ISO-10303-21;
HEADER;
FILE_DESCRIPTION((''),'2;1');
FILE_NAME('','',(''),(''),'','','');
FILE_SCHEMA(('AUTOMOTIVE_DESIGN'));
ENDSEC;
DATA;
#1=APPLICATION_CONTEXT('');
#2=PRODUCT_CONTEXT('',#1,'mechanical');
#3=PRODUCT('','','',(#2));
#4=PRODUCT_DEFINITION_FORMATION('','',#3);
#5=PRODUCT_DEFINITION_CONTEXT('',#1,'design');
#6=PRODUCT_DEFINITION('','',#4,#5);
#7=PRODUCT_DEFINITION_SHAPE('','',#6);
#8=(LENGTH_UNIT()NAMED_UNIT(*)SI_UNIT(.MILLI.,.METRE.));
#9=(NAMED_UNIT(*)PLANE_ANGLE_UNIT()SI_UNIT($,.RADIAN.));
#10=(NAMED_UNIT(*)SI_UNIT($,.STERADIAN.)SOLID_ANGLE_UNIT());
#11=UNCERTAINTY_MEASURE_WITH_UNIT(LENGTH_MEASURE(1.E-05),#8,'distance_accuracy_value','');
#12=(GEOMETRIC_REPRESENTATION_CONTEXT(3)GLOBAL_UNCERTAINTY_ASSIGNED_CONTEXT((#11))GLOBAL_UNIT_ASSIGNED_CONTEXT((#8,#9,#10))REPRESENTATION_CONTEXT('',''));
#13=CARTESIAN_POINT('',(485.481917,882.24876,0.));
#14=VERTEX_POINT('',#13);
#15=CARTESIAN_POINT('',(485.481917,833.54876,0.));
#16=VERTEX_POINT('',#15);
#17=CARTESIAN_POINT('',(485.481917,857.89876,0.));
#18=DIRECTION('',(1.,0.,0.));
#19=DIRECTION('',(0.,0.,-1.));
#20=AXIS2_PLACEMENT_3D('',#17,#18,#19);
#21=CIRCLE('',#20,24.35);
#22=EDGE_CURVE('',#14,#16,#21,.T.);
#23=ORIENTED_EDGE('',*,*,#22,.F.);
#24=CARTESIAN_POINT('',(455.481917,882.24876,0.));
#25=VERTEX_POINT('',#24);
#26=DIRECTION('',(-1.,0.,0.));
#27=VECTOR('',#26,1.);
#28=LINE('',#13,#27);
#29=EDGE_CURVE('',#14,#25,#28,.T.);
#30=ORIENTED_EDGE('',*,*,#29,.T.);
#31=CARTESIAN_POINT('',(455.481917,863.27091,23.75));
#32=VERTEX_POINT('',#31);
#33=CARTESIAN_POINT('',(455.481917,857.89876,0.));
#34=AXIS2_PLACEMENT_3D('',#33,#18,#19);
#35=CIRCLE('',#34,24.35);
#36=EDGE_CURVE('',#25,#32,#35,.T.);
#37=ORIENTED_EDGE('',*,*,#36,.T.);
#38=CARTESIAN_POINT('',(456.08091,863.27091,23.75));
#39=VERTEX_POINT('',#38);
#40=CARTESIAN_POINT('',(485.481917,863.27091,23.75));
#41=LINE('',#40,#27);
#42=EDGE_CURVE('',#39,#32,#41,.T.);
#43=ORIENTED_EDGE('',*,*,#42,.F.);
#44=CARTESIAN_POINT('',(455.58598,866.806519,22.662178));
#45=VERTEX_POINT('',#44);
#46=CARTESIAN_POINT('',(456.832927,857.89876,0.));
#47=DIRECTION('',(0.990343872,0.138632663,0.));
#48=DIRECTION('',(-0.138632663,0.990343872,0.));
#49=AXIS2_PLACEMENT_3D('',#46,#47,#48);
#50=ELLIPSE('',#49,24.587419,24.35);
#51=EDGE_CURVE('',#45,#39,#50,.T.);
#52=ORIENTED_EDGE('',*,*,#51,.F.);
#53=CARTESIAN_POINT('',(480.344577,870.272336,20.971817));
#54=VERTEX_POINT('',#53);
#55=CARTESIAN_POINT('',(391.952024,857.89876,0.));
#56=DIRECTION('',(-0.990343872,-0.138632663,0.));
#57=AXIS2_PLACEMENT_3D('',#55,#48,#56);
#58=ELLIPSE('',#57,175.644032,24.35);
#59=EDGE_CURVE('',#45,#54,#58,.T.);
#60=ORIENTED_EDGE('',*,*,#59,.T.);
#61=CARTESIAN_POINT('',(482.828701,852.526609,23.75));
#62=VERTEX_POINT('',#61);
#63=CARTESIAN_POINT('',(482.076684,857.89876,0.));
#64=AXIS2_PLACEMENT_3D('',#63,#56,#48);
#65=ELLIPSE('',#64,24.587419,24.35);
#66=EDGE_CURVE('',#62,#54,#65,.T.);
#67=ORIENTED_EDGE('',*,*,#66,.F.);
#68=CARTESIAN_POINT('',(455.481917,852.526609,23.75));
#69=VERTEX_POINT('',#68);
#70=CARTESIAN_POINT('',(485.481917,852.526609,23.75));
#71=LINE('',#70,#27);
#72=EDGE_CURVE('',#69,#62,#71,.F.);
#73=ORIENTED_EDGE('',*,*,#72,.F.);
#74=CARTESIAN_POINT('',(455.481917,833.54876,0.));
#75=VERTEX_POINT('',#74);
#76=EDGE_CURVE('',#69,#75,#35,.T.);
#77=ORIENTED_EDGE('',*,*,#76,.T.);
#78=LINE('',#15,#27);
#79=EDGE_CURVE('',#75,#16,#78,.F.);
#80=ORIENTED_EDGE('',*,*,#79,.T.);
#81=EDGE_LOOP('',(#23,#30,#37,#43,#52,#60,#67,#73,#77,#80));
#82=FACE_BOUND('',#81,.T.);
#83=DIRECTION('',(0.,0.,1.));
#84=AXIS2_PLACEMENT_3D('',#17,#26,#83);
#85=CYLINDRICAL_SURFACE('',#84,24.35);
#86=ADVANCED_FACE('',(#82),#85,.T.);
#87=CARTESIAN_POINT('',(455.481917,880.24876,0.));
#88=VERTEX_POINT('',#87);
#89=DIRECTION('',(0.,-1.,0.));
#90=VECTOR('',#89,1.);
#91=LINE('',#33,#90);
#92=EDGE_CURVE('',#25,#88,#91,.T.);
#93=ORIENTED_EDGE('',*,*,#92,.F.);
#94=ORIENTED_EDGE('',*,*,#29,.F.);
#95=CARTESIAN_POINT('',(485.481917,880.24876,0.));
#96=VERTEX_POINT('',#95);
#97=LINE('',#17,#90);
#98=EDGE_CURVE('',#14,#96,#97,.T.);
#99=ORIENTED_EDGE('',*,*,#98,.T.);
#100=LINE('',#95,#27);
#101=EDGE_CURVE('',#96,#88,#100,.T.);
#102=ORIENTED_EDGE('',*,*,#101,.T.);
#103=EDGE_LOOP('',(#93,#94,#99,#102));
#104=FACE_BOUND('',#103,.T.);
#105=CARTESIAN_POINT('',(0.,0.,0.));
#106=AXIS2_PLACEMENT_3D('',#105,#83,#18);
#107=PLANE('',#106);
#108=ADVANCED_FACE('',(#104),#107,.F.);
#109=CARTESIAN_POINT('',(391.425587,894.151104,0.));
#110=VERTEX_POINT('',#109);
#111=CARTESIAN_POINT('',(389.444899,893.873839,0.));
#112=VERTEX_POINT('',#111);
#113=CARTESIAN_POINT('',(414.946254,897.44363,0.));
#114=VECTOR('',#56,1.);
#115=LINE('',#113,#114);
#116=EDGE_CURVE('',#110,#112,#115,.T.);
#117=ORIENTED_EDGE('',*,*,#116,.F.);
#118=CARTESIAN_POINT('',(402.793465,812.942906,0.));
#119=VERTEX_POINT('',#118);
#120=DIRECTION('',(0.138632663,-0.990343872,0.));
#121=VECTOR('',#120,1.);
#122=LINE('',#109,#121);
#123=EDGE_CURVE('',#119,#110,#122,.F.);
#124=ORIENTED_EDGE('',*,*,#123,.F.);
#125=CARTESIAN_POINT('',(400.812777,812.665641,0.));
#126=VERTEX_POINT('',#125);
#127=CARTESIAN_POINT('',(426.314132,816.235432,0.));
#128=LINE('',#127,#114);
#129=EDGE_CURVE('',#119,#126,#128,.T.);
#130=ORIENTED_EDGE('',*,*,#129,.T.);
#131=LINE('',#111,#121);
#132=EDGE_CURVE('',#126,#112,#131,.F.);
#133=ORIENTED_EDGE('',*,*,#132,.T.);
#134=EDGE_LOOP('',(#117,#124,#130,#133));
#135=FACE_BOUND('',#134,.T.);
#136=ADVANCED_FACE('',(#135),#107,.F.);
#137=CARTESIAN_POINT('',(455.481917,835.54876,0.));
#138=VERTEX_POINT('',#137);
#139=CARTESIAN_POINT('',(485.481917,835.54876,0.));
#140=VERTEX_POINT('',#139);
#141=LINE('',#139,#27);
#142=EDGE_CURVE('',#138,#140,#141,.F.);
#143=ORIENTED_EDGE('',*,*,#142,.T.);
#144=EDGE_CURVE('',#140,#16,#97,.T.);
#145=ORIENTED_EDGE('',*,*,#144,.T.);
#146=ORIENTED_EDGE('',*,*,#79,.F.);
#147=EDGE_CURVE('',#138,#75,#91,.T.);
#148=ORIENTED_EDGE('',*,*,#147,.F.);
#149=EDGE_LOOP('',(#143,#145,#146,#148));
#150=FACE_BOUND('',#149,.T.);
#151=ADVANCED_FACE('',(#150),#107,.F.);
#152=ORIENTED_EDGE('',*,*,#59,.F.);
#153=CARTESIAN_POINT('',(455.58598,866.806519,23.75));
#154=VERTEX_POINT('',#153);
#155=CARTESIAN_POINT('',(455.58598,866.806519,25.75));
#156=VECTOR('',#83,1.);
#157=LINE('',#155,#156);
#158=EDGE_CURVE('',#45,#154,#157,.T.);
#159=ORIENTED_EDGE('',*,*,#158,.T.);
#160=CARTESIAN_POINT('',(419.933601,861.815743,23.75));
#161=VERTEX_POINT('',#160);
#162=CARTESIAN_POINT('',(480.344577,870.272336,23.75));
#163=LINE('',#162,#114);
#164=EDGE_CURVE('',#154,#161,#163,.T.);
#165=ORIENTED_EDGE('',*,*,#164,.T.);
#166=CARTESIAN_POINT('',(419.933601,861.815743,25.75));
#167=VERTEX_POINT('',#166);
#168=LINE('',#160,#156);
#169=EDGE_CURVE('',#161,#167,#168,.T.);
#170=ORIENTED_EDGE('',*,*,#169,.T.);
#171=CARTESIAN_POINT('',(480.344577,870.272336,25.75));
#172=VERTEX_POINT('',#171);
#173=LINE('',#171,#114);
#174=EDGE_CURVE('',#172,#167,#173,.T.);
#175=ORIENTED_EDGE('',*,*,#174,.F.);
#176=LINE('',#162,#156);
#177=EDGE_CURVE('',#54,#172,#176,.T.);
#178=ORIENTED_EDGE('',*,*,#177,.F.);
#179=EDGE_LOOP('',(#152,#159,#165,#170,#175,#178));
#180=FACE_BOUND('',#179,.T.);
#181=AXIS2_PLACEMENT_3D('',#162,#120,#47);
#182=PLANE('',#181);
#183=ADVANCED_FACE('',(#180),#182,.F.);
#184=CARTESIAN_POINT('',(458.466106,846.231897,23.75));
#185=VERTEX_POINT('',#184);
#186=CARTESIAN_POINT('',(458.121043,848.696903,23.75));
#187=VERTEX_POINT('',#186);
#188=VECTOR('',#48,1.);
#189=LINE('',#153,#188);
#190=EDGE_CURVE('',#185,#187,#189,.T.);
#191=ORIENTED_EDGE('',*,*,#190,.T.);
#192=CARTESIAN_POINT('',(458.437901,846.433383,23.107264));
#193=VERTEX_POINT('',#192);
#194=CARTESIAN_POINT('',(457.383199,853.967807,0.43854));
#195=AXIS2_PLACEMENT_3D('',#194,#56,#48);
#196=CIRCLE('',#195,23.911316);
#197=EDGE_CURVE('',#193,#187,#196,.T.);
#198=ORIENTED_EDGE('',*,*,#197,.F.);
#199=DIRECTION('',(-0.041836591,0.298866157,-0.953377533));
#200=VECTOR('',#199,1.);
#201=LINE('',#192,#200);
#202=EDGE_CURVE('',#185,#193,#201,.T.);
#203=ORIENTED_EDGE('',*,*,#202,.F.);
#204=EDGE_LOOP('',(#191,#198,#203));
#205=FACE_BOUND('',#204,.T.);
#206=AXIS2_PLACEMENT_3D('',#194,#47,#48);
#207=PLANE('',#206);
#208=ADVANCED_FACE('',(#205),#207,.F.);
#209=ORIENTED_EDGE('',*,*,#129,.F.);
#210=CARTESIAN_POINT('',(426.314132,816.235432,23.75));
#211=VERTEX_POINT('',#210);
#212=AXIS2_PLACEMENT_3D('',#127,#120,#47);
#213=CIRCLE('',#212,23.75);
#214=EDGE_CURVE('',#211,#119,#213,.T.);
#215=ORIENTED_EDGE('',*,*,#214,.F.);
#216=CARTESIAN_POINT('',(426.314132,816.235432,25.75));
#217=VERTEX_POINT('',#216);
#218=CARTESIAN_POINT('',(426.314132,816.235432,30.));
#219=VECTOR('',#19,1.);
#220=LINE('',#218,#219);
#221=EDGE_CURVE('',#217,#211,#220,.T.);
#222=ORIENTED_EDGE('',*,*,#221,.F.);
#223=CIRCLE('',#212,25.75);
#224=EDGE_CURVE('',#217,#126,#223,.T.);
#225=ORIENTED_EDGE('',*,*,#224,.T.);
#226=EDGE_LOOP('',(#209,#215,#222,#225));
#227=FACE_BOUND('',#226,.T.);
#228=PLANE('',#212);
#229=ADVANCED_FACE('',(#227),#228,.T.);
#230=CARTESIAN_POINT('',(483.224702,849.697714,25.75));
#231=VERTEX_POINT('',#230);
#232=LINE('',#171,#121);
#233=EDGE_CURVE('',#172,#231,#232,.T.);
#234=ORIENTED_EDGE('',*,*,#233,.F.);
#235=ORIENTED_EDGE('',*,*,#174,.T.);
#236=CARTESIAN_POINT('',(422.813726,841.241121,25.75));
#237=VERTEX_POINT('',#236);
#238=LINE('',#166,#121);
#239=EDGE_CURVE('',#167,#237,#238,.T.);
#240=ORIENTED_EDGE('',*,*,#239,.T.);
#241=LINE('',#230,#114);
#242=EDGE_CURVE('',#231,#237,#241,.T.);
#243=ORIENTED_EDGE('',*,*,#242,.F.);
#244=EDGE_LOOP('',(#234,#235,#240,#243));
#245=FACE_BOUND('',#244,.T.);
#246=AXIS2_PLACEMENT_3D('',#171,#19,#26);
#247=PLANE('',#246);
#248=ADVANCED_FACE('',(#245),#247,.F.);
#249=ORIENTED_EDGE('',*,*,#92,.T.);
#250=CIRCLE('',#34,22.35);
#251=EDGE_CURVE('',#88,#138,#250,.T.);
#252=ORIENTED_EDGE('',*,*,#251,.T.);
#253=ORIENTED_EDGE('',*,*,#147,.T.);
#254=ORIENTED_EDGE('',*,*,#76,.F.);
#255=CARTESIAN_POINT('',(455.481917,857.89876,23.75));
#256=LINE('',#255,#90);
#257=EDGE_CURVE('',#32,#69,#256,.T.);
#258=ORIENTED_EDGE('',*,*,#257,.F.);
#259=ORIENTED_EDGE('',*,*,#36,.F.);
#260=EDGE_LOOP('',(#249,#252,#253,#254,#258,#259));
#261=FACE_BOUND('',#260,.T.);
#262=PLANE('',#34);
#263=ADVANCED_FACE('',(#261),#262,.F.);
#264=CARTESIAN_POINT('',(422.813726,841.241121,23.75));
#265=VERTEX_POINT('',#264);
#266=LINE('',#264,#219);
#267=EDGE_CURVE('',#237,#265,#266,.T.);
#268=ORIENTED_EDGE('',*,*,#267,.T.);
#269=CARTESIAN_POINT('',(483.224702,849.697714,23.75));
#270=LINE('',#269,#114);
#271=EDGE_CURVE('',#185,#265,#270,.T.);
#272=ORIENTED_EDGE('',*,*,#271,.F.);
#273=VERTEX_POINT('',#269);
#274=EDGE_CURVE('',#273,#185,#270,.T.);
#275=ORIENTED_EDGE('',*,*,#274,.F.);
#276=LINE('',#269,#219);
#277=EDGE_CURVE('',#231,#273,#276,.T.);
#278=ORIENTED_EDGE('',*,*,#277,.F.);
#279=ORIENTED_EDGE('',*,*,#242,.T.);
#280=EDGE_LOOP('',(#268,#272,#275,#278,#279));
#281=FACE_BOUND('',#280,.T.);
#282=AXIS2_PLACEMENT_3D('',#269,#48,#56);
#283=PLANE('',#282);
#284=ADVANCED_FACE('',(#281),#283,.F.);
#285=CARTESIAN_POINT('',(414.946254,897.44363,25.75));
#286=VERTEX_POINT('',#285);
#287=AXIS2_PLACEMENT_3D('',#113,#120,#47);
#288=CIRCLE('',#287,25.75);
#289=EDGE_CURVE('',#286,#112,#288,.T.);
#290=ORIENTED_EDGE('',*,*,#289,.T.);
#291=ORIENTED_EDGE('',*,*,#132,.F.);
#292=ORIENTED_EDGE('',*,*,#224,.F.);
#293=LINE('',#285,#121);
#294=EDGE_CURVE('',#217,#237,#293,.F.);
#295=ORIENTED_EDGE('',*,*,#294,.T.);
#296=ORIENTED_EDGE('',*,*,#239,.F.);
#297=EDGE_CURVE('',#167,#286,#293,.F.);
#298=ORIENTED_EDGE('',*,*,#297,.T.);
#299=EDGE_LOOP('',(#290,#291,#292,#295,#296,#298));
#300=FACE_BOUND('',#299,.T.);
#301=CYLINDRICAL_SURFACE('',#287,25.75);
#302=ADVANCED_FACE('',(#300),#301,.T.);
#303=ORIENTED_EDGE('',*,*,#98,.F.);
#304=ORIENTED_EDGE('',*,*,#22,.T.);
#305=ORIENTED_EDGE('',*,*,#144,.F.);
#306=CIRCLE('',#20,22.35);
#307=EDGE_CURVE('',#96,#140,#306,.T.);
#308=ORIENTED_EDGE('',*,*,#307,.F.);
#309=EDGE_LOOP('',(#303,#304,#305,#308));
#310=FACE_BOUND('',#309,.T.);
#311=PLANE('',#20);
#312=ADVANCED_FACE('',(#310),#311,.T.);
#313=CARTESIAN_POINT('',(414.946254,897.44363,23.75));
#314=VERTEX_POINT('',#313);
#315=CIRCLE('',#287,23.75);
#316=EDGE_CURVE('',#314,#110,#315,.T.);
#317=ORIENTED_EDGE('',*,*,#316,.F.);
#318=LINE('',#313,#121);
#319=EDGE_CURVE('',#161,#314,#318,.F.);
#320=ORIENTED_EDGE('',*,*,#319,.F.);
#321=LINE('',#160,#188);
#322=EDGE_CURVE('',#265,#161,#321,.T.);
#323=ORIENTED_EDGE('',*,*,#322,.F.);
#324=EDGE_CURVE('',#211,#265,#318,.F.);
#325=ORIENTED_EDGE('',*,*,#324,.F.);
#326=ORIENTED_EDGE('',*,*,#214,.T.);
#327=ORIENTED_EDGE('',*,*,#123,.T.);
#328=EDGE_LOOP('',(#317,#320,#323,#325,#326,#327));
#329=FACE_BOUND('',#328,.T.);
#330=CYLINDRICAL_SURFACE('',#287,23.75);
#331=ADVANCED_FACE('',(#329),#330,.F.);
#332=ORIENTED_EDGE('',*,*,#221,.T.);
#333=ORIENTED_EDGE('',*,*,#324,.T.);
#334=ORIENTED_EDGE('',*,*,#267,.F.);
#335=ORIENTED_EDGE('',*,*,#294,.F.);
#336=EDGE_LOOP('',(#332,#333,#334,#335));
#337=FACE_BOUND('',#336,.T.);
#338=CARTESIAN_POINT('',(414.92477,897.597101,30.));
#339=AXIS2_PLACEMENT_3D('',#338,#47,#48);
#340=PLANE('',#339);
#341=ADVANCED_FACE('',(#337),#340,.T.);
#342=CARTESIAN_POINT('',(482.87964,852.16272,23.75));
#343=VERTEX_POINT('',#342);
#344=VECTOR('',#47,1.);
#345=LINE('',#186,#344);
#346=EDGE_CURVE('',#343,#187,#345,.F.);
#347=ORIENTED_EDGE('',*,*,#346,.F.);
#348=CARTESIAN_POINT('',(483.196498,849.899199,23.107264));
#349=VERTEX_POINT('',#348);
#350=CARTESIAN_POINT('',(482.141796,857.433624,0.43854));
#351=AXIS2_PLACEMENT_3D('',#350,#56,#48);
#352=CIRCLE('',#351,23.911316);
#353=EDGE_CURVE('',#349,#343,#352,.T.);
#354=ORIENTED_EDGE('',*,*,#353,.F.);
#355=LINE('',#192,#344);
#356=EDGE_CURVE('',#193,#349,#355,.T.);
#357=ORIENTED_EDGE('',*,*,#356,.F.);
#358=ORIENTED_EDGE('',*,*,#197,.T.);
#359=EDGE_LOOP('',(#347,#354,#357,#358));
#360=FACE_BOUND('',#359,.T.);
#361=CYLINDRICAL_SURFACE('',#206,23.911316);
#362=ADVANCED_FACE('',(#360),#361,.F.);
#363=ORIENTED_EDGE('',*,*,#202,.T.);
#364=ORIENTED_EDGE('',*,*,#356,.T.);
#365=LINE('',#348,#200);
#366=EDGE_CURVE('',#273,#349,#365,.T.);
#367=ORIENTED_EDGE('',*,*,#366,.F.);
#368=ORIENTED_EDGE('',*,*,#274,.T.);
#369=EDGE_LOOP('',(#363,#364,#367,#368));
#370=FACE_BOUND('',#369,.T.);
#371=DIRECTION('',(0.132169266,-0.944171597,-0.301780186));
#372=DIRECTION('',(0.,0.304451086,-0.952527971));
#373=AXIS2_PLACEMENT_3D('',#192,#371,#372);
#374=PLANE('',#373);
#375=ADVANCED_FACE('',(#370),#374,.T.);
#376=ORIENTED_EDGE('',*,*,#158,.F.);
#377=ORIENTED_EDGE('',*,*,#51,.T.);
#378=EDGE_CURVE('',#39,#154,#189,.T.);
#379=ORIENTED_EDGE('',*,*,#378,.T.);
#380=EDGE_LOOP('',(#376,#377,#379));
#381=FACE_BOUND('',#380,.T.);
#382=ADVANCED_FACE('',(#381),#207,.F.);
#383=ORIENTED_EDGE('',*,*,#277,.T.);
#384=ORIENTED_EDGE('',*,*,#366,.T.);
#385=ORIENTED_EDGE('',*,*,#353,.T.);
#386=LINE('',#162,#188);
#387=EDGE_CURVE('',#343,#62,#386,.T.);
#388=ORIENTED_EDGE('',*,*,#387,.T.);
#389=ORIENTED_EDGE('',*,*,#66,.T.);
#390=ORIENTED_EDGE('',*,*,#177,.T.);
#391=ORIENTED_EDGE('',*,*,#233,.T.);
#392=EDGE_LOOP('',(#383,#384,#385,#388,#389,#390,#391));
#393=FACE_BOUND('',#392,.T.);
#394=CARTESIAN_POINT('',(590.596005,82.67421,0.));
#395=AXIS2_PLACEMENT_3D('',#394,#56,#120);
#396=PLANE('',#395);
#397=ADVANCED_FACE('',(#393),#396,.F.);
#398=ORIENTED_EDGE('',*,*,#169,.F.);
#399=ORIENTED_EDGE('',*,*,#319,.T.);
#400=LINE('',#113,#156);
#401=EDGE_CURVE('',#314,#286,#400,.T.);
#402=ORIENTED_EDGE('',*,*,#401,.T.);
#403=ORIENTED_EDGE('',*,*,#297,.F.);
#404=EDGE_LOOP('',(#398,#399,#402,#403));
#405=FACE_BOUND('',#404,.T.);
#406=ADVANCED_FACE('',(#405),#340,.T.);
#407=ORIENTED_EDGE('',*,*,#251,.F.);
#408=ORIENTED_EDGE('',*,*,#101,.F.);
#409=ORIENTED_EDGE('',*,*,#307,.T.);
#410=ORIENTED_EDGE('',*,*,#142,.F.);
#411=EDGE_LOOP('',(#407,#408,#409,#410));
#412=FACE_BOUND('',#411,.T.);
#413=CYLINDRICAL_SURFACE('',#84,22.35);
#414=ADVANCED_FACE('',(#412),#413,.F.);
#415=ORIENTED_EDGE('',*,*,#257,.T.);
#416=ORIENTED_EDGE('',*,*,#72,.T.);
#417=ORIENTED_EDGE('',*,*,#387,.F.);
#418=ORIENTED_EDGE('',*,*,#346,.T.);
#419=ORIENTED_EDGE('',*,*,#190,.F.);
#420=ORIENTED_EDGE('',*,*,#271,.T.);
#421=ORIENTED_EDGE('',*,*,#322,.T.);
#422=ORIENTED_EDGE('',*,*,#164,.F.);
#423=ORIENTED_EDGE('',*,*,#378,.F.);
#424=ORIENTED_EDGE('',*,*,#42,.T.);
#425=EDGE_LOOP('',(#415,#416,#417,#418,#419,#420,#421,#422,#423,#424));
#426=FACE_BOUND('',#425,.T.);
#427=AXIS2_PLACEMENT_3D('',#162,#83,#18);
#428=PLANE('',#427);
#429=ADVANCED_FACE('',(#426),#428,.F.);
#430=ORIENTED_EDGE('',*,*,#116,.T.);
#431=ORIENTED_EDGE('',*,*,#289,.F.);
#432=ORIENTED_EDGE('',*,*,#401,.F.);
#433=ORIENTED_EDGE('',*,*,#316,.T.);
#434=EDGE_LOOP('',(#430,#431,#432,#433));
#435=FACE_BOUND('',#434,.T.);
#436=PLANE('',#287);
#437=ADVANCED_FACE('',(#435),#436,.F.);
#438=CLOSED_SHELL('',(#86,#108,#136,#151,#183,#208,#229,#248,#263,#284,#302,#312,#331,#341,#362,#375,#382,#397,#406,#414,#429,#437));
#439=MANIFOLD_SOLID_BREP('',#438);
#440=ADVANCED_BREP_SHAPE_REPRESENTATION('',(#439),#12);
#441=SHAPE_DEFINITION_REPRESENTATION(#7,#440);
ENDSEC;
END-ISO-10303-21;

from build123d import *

# Parameters (mm, degrees)
SKETCH3_R               = 25.75
SKETCH3_R_2             = 23.75
BOSS_EXTRUDE1_DEPTH     = 82
SKETCH2_R               = 24.35
SKETCH2_R_2             = 22.35
BOSS_EXTRUDE2_DEPTH     = 30
CUT_EXTRUDE1_DEPTH      = 30
CUT_EXTRUDE1_DEPTH_BACK = 30
SKETCH5_W               = 101.816386604
SKETCH5_H               = 90.816460778
CUT_EXTRUDE2_DEPTH      = 30
SKETCH6_W               = 2
SKETCH6_H               = 20.775230247
BOSS_EXTRUDE3_DEPTH     = 61
BOSS_EXTRUDE5_DEPTH     = 25


with BuildPart() as part:
    # Sketch3 → Boss-Extrude1 (new body)
    with BuildSketch(Plane(origin=(-103.870896529, 742.017814767, 0), x_dir=(-0.9903438719336157, -0.13863266326351154, 0), z_dir=(0.13863266326351156, -0.9903438719336158, 0))):
        with Locations((-535.354479902, 0)):
            Circle(SKETCH3_R)
        with Locations((-535.354479902, 0)):
            Circle(SKETCH3_R_2, mode=Mode.SUBTRACT)
    extrude(amount=-BOSS_EXTRUDE1_DEPTH)

    # Sketch4 → Cut-Extrude1 (cut, two sides: drawn at the far end of the back side and taken through both)
    with BuildSketch(Plane.XY.offset(-CUT_EXTRUDE1_DEPTH_BACK)):
        Polygon((414.924769966, 897.597101018), (426.314131953, 816.235432106), (451.815486656, 819.805223185), (440.426124669, 901.166892097), align=None)
    extrude(amount=CUT_EXTRUDE1_DEPTH + CUT_EXTRUDE1_DEPTH_BACK, mode=Mode.SUBTRACT)


with BuildPart() as body_2:
    # Sketch2 → Boss-Extrude2 (new body)
    with BuildSketch(Plane(origin=(455.481917253, 0, 0), x_dir=(0, 0, -1), z_dir=(1, 0, 0))):
        with Locations((0, 857.898759871)):
            Circle(SKETCH2_R)
        with Locations((0, 857.898759871)):
            Circle(SKETCH2_R_2, mode=Mode.SUBTRACT)
    extrude(amount=BOSS_EXTRUDE2_DEPTH)


with BuildPart() as cut_extrude2_tool:
    # Sketch5 → Cut-Extrude2 (new body)
    with BuildSketch(Plane.XY):
        with Locations((437.415428166, 854.729783017)):
            Rectangle(SKETCH5_W, SKETCH5_H)
    extrude(amount=-CUT_EXTRUDE2_DEPTH)


with BuildPart() as part_1:
    add(part.part)

    # Cut-Extrude2: cut by cut_extrude2_tool
    add(cut_extrude2_tool.part, mode=Mode.SUBTRACT)



with BuildPart() as body_2_1:
    add(body_2.part)

    # Cut-Extrude2: cut by cut_extrude2_tool
    add(cut_extrude2_tool.part, mode=Mode.SUBTRACT)


with BuildPart() as part_2:
    add(part_1.part)

    add(body_2_1.part)  # Boss-Extrude3 merges body 2
    # Sketch6 → Boss-Extrude3 (add)
    with BuildSketch(Plane(origin=(530.185028483, 74.217617339, 0), x_dir=(0, 0, -1), z_dir=(0.9903438719336157, 0.13863266326351165, 0))):
        with Locations((-24.75, 784.889811472)):
            Rectangle(SKETCH6_W, SKETCH6_H)
    extrude(amount=BOSS_EXTRUDE3_DEPTH)

    # Sketch7 → Boss-Extrude5 (add)
    with BuildSketch(Plane(origin=(590.596004671, 82.674209798, 0), x_dir=(0, 0, -1), z_dir=(0.9903438719336163, 0.1386326632635082, 0))):
        with BuildLine():
            Line((-23.107264421, 774.705646561), (-23.75, 774.502196348))
            Line((-23.75, 774.502196348), (-25.75, 774.502196348))
            Line((-25.75, 774.502196348), (-25.75, 795.277426595))
            Line((-25.75, 795.277426595), (-20.530540655, 795.277426595))
            ThreePointArc((-20.530540655, 795.277426595), (-24.164463247, 785.285330407), (-23.107264421, 774.705646561))
        make_face()
    extrude(amount=-BOSS_EXTRUDE5_DEPTH)


solid = part_2.part
